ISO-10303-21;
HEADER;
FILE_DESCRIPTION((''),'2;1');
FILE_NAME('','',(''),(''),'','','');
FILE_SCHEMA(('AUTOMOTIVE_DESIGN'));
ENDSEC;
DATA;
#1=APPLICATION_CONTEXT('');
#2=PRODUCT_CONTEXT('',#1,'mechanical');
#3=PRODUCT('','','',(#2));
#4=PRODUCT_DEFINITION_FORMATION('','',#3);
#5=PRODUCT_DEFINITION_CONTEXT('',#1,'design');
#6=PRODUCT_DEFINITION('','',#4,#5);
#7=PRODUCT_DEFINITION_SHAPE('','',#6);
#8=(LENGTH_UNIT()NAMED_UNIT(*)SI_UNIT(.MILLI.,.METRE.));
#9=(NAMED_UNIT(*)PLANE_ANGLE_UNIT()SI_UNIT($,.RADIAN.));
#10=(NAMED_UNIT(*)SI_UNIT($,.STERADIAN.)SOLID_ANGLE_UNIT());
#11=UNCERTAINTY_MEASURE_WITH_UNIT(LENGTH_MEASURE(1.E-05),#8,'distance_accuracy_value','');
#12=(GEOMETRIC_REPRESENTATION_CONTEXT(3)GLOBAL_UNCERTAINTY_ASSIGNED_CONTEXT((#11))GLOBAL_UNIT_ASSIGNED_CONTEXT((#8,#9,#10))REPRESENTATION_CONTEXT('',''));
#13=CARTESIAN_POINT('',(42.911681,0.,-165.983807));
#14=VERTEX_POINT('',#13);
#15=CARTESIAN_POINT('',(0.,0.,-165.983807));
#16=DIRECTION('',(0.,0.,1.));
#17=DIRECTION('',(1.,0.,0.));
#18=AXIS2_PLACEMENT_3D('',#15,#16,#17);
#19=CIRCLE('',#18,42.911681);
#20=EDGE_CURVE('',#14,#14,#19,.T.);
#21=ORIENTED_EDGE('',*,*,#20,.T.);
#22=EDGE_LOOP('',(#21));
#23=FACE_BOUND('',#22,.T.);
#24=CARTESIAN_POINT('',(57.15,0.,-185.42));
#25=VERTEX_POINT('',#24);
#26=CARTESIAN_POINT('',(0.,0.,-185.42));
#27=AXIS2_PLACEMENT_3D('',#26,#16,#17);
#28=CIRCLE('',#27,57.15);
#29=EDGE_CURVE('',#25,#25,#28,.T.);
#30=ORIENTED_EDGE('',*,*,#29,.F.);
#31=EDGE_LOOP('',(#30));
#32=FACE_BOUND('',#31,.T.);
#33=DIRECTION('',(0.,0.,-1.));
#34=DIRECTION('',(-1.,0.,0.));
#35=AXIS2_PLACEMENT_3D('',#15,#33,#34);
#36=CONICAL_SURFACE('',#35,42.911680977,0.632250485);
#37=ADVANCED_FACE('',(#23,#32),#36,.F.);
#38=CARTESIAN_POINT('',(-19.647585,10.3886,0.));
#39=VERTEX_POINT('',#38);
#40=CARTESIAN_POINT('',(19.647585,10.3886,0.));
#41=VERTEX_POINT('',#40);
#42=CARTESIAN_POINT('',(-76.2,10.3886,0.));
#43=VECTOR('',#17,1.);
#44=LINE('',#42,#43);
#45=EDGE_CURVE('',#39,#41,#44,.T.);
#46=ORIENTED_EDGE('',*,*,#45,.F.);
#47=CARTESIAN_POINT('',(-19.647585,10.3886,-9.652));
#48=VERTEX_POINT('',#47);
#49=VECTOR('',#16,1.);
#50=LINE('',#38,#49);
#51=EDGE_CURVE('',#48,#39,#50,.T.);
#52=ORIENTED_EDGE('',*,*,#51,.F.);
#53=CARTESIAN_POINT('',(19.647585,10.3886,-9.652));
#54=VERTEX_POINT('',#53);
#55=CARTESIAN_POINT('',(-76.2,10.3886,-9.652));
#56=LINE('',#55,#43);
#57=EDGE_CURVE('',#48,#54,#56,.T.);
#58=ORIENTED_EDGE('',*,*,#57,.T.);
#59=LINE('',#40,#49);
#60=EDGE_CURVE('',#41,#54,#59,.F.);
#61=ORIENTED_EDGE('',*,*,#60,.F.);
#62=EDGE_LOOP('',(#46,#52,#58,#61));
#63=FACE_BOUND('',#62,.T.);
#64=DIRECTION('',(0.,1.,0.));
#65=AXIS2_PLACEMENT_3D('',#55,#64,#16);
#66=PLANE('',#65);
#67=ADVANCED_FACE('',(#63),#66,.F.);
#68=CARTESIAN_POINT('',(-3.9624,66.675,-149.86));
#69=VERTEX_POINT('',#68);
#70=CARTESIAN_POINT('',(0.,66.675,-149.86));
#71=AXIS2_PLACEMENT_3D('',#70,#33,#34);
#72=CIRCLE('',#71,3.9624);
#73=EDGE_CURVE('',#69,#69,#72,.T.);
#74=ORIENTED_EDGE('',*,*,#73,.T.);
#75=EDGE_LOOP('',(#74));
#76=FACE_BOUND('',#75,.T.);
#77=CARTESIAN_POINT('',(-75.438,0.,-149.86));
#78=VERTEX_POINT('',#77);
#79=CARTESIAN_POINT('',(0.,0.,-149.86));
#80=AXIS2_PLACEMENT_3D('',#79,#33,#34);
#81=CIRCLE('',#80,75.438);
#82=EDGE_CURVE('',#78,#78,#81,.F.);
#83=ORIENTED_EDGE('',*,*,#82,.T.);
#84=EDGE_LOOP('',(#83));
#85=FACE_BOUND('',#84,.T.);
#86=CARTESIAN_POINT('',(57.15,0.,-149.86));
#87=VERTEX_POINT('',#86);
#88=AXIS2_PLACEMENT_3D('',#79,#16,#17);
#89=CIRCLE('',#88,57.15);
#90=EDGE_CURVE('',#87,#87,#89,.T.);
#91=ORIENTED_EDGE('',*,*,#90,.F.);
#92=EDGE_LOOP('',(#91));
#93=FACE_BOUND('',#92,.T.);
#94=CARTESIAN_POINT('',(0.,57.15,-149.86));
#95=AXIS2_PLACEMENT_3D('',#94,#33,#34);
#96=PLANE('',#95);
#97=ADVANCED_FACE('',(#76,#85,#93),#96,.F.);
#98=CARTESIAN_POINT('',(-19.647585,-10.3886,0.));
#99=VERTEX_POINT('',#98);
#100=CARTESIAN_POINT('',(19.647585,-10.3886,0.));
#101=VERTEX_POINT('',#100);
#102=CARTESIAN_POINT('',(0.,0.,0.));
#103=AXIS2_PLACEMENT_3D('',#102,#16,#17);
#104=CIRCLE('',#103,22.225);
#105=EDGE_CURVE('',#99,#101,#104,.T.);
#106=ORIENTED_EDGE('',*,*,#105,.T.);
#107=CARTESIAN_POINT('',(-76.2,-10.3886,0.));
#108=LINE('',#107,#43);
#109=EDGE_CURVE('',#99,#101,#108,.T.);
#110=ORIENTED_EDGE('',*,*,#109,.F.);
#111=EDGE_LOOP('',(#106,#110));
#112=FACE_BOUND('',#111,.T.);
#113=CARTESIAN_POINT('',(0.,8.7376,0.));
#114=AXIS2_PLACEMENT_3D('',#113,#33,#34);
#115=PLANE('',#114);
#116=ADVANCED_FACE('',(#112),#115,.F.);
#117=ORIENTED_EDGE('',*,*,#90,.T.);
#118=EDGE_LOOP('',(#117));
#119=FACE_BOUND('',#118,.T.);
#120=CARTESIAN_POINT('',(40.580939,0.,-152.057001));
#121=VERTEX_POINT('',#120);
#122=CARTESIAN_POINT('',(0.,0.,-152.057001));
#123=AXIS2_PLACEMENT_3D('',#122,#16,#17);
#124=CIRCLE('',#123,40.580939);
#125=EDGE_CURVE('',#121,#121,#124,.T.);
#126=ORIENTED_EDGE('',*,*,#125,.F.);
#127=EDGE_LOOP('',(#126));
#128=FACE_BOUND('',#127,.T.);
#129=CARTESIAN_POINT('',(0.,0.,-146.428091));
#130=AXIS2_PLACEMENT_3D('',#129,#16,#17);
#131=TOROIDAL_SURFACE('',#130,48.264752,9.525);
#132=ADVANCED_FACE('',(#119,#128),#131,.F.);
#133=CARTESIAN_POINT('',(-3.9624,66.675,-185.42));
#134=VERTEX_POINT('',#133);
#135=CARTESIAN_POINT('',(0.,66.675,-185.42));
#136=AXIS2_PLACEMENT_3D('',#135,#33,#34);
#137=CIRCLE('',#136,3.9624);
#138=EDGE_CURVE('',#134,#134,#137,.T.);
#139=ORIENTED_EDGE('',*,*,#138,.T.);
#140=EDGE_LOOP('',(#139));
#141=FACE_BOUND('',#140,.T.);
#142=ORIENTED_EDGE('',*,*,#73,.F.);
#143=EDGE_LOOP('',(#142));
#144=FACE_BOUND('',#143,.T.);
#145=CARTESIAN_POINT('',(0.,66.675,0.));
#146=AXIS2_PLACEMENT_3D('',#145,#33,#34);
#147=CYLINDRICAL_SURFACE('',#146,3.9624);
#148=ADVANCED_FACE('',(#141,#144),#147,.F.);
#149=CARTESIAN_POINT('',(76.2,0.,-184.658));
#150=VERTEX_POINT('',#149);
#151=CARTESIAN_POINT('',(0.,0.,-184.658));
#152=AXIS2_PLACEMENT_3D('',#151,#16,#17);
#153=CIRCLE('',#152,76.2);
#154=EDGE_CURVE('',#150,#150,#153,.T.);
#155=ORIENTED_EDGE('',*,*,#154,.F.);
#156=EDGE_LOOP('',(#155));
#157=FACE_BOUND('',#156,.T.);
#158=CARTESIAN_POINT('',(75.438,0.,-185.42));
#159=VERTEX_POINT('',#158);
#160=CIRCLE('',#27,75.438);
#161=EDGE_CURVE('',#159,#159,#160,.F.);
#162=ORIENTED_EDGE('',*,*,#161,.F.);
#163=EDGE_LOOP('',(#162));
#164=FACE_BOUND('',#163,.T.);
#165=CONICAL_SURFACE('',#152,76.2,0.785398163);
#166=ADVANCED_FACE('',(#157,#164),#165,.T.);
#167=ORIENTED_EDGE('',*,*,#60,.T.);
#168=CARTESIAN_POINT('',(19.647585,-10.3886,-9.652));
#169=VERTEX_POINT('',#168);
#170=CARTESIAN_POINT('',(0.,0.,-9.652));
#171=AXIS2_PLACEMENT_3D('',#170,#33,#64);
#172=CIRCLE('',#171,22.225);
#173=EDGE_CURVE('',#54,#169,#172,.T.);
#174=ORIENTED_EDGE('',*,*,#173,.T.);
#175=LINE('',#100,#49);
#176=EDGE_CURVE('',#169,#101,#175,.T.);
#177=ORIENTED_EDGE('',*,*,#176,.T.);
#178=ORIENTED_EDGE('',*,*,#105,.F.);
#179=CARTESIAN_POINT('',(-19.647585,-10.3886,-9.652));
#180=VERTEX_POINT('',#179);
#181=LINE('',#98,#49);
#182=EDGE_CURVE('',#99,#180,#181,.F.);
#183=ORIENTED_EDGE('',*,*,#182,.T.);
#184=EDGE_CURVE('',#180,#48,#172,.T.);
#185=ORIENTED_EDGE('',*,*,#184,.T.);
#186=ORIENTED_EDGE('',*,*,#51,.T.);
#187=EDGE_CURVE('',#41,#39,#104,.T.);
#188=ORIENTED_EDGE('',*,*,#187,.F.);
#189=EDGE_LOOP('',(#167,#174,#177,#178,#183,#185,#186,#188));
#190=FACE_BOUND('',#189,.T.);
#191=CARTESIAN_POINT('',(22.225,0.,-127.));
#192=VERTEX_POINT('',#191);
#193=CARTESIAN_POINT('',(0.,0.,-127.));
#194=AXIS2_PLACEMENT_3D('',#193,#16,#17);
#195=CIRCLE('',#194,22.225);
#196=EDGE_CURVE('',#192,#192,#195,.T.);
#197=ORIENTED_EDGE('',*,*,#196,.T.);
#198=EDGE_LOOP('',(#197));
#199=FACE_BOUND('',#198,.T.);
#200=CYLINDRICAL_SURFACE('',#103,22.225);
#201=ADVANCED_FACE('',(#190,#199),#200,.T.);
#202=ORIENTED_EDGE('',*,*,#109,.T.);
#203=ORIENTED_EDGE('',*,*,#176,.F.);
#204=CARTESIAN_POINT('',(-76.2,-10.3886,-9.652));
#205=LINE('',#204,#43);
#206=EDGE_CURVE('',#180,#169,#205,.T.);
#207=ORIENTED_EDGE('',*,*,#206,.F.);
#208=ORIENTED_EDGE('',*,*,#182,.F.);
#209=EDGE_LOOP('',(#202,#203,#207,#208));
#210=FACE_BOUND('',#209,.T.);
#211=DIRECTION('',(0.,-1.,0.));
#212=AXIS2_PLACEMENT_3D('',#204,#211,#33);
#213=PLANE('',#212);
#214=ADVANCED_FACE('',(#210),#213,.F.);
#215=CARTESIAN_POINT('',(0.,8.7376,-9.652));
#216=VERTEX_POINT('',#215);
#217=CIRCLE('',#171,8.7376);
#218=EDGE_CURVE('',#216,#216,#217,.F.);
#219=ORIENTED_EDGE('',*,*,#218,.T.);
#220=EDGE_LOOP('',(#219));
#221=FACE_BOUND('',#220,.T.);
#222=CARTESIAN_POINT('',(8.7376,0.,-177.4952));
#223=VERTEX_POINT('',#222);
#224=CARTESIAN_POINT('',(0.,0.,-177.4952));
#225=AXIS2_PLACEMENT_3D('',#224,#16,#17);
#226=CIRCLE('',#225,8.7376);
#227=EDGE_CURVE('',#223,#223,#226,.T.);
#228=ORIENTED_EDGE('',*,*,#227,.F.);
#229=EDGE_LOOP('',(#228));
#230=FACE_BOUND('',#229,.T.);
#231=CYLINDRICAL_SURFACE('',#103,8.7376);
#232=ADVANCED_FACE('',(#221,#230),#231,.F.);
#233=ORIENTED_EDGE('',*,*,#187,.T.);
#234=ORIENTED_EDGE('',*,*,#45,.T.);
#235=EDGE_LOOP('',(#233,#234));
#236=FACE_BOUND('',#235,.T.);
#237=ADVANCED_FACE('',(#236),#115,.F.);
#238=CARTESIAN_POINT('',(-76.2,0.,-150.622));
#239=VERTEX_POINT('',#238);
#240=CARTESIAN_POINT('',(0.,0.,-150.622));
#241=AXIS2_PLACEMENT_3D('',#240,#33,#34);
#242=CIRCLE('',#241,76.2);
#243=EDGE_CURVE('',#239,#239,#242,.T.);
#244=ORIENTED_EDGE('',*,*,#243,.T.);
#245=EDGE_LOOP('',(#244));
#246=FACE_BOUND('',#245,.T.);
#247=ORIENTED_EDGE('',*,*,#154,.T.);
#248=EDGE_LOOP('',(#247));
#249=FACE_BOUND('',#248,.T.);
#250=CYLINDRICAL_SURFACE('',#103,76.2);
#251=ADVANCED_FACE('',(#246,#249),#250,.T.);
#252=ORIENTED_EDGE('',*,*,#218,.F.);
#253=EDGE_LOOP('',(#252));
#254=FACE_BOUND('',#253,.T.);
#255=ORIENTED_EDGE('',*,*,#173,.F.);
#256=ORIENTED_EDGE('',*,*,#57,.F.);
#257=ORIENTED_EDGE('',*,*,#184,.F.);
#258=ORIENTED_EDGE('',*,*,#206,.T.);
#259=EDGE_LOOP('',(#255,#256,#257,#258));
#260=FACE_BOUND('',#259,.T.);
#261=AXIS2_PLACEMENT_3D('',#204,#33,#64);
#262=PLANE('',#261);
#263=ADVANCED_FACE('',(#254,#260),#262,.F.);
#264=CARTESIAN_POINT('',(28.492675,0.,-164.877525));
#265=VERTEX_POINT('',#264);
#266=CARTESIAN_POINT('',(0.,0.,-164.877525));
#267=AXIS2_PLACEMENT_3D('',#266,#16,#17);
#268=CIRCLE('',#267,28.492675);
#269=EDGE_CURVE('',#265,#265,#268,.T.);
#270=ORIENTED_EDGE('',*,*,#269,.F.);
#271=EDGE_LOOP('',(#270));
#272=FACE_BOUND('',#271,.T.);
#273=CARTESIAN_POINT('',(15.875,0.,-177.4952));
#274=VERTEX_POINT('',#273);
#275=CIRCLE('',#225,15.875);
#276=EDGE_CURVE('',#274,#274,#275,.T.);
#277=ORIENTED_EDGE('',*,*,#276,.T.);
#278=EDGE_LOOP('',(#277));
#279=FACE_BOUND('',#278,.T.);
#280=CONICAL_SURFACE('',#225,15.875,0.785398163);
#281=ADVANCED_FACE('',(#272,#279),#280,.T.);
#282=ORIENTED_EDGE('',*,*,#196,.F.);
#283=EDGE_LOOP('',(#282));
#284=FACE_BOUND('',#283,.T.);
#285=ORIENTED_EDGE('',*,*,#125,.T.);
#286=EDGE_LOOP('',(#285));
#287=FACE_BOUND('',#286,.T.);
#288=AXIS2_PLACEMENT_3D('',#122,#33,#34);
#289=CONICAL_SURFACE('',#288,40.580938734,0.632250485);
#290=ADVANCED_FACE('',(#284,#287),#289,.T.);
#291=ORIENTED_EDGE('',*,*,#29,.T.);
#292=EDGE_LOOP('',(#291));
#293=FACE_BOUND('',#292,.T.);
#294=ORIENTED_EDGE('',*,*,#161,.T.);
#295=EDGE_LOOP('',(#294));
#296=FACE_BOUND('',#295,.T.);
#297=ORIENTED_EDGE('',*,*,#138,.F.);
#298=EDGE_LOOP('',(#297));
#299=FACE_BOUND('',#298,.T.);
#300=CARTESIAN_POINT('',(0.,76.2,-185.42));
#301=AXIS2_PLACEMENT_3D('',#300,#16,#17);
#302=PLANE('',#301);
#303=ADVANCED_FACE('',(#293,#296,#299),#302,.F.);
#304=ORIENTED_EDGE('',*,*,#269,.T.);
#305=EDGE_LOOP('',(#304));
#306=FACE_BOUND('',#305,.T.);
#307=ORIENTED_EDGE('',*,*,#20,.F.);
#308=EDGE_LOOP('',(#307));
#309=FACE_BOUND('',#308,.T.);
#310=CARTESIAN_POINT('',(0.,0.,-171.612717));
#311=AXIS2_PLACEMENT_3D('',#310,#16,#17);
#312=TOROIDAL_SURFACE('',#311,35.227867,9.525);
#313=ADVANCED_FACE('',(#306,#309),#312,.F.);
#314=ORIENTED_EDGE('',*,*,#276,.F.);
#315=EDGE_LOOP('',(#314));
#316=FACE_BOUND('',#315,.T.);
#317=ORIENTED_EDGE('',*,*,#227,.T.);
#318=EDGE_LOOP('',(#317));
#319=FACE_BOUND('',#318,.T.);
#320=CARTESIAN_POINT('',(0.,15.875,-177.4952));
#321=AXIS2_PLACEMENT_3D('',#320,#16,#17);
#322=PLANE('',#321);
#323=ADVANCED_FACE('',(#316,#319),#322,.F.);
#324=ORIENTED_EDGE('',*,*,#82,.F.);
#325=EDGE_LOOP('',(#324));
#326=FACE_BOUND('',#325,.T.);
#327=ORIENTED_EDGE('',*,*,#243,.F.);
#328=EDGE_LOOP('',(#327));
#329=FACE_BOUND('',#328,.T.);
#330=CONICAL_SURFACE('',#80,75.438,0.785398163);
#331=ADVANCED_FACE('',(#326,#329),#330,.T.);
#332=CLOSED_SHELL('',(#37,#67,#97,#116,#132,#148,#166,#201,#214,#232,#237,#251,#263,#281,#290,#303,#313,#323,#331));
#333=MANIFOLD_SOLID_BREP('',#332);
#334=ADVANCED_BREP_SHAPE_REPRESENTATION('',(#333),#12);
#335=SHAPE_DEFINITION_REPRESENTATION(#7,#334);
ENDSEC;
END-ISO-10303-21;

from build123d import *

# Parameters (mm, degrees)
CHAMFER1_SIZE           = 0.762
CUT_EXTRUDE1_DEPTH      = 215.460850507
CUT_EXTRUDE1_DEPTH_BACK = 215.460850507
SKETCH2_W               = 9.652
SKETCH2_H               = 20.7772
SKETCH3_R               = 3.9624
CUT_EXTRUDE2_DEPTH      = 215.460850507


with BuildPart() as part:
    # Sketch1 → Revolve1 (revolve)
    with BuildSketch(Plane(origin=(0, 0, 0), x_dir=(0, 0, -1), z_dir=(1, 0, 0)), mode=Mode.PRIVATE) as revolve1_sk:
        with BuildLine():
            Line((0, 8.7376), (0, 22.225))
            Line((0, 22.225), (127, 22.225))
            Line((127, 22.225), (152.057001163, 40.580938734))
            ThreePointArc((152.057001163, 40.580938734), (155.870445408, 49.516776542), (149.86, 57.15))
            Line((149.86, 57.15), (149.86, 76.2))
            Line((149.86, 76.2), (185.42, 76.2))
            Line((185.42, 76.2), (185.42, 57.15))
            Line((185.42, 57.15), (165.983806543, 42.911680977))
            ThreePointArc((165.983806543, 42.911680977), (162.115628439, 35.956520518), (164.87752482, 28.49267518))
            Line((164.87752482, 28.49267518), (177.4952, 15.875))
            Line((177.4952, 15.875), (177.4952, 8.7376))
            Line((177.4952, 8.7376), (0, 8.7376))
        make_face()
    revolve(revolve1_sk.sketch.rotate(Axis((0, 0, 0), (0, 0, -1)), 90), axis=Axis((0, 0, 0), (0, 0, -1)))

    # Chamfer1
    chamfer1_edges = [part.edges().sort_by_distance(p)[0] for p in [
        (-76.2, 0, -185.42),
        (-76.2, 0, -149.86),
    ]]
    chamfer(chamfer1_edges, length=CHAMFER1_SIZE)

    # Sketch2 → Cut-Extrude1 (cut, two sides: drawn at the far end of the back side and taken through both)
    with BuildSketch(Plane(origin=(0, 0, 0), x_dir=(0, 0, -1), z_dir=(1, 0, 0)).offset(-CUT_EXTRUDE1_DEPTH_BACK)):
        with Locations((4.826, 0)):
            Rectangle(SKETCH2_W, SKETCH2_H)
    extrude(amount=CUT_EXTRUDE1_DEPTH + CUT_EXTRUDE1_DEPTH_BACK, mode=Mode.SUBTRACT)

    # Sketch3 → Cut-Extrude2 (cut, through all)
    with BuildSketch(Plane(origin=(0, 0, -185.42), x_dir=(-1, 0, 0), z_dir=(0, 0, -1))):
        with Locations((0, 66.675)):
            Circle(SKETCH3_R)
    extrude(amount=-CUT_EXTRUDE2_DEPTH, mode=Mode.SUBTRACT)


solid = part.part
